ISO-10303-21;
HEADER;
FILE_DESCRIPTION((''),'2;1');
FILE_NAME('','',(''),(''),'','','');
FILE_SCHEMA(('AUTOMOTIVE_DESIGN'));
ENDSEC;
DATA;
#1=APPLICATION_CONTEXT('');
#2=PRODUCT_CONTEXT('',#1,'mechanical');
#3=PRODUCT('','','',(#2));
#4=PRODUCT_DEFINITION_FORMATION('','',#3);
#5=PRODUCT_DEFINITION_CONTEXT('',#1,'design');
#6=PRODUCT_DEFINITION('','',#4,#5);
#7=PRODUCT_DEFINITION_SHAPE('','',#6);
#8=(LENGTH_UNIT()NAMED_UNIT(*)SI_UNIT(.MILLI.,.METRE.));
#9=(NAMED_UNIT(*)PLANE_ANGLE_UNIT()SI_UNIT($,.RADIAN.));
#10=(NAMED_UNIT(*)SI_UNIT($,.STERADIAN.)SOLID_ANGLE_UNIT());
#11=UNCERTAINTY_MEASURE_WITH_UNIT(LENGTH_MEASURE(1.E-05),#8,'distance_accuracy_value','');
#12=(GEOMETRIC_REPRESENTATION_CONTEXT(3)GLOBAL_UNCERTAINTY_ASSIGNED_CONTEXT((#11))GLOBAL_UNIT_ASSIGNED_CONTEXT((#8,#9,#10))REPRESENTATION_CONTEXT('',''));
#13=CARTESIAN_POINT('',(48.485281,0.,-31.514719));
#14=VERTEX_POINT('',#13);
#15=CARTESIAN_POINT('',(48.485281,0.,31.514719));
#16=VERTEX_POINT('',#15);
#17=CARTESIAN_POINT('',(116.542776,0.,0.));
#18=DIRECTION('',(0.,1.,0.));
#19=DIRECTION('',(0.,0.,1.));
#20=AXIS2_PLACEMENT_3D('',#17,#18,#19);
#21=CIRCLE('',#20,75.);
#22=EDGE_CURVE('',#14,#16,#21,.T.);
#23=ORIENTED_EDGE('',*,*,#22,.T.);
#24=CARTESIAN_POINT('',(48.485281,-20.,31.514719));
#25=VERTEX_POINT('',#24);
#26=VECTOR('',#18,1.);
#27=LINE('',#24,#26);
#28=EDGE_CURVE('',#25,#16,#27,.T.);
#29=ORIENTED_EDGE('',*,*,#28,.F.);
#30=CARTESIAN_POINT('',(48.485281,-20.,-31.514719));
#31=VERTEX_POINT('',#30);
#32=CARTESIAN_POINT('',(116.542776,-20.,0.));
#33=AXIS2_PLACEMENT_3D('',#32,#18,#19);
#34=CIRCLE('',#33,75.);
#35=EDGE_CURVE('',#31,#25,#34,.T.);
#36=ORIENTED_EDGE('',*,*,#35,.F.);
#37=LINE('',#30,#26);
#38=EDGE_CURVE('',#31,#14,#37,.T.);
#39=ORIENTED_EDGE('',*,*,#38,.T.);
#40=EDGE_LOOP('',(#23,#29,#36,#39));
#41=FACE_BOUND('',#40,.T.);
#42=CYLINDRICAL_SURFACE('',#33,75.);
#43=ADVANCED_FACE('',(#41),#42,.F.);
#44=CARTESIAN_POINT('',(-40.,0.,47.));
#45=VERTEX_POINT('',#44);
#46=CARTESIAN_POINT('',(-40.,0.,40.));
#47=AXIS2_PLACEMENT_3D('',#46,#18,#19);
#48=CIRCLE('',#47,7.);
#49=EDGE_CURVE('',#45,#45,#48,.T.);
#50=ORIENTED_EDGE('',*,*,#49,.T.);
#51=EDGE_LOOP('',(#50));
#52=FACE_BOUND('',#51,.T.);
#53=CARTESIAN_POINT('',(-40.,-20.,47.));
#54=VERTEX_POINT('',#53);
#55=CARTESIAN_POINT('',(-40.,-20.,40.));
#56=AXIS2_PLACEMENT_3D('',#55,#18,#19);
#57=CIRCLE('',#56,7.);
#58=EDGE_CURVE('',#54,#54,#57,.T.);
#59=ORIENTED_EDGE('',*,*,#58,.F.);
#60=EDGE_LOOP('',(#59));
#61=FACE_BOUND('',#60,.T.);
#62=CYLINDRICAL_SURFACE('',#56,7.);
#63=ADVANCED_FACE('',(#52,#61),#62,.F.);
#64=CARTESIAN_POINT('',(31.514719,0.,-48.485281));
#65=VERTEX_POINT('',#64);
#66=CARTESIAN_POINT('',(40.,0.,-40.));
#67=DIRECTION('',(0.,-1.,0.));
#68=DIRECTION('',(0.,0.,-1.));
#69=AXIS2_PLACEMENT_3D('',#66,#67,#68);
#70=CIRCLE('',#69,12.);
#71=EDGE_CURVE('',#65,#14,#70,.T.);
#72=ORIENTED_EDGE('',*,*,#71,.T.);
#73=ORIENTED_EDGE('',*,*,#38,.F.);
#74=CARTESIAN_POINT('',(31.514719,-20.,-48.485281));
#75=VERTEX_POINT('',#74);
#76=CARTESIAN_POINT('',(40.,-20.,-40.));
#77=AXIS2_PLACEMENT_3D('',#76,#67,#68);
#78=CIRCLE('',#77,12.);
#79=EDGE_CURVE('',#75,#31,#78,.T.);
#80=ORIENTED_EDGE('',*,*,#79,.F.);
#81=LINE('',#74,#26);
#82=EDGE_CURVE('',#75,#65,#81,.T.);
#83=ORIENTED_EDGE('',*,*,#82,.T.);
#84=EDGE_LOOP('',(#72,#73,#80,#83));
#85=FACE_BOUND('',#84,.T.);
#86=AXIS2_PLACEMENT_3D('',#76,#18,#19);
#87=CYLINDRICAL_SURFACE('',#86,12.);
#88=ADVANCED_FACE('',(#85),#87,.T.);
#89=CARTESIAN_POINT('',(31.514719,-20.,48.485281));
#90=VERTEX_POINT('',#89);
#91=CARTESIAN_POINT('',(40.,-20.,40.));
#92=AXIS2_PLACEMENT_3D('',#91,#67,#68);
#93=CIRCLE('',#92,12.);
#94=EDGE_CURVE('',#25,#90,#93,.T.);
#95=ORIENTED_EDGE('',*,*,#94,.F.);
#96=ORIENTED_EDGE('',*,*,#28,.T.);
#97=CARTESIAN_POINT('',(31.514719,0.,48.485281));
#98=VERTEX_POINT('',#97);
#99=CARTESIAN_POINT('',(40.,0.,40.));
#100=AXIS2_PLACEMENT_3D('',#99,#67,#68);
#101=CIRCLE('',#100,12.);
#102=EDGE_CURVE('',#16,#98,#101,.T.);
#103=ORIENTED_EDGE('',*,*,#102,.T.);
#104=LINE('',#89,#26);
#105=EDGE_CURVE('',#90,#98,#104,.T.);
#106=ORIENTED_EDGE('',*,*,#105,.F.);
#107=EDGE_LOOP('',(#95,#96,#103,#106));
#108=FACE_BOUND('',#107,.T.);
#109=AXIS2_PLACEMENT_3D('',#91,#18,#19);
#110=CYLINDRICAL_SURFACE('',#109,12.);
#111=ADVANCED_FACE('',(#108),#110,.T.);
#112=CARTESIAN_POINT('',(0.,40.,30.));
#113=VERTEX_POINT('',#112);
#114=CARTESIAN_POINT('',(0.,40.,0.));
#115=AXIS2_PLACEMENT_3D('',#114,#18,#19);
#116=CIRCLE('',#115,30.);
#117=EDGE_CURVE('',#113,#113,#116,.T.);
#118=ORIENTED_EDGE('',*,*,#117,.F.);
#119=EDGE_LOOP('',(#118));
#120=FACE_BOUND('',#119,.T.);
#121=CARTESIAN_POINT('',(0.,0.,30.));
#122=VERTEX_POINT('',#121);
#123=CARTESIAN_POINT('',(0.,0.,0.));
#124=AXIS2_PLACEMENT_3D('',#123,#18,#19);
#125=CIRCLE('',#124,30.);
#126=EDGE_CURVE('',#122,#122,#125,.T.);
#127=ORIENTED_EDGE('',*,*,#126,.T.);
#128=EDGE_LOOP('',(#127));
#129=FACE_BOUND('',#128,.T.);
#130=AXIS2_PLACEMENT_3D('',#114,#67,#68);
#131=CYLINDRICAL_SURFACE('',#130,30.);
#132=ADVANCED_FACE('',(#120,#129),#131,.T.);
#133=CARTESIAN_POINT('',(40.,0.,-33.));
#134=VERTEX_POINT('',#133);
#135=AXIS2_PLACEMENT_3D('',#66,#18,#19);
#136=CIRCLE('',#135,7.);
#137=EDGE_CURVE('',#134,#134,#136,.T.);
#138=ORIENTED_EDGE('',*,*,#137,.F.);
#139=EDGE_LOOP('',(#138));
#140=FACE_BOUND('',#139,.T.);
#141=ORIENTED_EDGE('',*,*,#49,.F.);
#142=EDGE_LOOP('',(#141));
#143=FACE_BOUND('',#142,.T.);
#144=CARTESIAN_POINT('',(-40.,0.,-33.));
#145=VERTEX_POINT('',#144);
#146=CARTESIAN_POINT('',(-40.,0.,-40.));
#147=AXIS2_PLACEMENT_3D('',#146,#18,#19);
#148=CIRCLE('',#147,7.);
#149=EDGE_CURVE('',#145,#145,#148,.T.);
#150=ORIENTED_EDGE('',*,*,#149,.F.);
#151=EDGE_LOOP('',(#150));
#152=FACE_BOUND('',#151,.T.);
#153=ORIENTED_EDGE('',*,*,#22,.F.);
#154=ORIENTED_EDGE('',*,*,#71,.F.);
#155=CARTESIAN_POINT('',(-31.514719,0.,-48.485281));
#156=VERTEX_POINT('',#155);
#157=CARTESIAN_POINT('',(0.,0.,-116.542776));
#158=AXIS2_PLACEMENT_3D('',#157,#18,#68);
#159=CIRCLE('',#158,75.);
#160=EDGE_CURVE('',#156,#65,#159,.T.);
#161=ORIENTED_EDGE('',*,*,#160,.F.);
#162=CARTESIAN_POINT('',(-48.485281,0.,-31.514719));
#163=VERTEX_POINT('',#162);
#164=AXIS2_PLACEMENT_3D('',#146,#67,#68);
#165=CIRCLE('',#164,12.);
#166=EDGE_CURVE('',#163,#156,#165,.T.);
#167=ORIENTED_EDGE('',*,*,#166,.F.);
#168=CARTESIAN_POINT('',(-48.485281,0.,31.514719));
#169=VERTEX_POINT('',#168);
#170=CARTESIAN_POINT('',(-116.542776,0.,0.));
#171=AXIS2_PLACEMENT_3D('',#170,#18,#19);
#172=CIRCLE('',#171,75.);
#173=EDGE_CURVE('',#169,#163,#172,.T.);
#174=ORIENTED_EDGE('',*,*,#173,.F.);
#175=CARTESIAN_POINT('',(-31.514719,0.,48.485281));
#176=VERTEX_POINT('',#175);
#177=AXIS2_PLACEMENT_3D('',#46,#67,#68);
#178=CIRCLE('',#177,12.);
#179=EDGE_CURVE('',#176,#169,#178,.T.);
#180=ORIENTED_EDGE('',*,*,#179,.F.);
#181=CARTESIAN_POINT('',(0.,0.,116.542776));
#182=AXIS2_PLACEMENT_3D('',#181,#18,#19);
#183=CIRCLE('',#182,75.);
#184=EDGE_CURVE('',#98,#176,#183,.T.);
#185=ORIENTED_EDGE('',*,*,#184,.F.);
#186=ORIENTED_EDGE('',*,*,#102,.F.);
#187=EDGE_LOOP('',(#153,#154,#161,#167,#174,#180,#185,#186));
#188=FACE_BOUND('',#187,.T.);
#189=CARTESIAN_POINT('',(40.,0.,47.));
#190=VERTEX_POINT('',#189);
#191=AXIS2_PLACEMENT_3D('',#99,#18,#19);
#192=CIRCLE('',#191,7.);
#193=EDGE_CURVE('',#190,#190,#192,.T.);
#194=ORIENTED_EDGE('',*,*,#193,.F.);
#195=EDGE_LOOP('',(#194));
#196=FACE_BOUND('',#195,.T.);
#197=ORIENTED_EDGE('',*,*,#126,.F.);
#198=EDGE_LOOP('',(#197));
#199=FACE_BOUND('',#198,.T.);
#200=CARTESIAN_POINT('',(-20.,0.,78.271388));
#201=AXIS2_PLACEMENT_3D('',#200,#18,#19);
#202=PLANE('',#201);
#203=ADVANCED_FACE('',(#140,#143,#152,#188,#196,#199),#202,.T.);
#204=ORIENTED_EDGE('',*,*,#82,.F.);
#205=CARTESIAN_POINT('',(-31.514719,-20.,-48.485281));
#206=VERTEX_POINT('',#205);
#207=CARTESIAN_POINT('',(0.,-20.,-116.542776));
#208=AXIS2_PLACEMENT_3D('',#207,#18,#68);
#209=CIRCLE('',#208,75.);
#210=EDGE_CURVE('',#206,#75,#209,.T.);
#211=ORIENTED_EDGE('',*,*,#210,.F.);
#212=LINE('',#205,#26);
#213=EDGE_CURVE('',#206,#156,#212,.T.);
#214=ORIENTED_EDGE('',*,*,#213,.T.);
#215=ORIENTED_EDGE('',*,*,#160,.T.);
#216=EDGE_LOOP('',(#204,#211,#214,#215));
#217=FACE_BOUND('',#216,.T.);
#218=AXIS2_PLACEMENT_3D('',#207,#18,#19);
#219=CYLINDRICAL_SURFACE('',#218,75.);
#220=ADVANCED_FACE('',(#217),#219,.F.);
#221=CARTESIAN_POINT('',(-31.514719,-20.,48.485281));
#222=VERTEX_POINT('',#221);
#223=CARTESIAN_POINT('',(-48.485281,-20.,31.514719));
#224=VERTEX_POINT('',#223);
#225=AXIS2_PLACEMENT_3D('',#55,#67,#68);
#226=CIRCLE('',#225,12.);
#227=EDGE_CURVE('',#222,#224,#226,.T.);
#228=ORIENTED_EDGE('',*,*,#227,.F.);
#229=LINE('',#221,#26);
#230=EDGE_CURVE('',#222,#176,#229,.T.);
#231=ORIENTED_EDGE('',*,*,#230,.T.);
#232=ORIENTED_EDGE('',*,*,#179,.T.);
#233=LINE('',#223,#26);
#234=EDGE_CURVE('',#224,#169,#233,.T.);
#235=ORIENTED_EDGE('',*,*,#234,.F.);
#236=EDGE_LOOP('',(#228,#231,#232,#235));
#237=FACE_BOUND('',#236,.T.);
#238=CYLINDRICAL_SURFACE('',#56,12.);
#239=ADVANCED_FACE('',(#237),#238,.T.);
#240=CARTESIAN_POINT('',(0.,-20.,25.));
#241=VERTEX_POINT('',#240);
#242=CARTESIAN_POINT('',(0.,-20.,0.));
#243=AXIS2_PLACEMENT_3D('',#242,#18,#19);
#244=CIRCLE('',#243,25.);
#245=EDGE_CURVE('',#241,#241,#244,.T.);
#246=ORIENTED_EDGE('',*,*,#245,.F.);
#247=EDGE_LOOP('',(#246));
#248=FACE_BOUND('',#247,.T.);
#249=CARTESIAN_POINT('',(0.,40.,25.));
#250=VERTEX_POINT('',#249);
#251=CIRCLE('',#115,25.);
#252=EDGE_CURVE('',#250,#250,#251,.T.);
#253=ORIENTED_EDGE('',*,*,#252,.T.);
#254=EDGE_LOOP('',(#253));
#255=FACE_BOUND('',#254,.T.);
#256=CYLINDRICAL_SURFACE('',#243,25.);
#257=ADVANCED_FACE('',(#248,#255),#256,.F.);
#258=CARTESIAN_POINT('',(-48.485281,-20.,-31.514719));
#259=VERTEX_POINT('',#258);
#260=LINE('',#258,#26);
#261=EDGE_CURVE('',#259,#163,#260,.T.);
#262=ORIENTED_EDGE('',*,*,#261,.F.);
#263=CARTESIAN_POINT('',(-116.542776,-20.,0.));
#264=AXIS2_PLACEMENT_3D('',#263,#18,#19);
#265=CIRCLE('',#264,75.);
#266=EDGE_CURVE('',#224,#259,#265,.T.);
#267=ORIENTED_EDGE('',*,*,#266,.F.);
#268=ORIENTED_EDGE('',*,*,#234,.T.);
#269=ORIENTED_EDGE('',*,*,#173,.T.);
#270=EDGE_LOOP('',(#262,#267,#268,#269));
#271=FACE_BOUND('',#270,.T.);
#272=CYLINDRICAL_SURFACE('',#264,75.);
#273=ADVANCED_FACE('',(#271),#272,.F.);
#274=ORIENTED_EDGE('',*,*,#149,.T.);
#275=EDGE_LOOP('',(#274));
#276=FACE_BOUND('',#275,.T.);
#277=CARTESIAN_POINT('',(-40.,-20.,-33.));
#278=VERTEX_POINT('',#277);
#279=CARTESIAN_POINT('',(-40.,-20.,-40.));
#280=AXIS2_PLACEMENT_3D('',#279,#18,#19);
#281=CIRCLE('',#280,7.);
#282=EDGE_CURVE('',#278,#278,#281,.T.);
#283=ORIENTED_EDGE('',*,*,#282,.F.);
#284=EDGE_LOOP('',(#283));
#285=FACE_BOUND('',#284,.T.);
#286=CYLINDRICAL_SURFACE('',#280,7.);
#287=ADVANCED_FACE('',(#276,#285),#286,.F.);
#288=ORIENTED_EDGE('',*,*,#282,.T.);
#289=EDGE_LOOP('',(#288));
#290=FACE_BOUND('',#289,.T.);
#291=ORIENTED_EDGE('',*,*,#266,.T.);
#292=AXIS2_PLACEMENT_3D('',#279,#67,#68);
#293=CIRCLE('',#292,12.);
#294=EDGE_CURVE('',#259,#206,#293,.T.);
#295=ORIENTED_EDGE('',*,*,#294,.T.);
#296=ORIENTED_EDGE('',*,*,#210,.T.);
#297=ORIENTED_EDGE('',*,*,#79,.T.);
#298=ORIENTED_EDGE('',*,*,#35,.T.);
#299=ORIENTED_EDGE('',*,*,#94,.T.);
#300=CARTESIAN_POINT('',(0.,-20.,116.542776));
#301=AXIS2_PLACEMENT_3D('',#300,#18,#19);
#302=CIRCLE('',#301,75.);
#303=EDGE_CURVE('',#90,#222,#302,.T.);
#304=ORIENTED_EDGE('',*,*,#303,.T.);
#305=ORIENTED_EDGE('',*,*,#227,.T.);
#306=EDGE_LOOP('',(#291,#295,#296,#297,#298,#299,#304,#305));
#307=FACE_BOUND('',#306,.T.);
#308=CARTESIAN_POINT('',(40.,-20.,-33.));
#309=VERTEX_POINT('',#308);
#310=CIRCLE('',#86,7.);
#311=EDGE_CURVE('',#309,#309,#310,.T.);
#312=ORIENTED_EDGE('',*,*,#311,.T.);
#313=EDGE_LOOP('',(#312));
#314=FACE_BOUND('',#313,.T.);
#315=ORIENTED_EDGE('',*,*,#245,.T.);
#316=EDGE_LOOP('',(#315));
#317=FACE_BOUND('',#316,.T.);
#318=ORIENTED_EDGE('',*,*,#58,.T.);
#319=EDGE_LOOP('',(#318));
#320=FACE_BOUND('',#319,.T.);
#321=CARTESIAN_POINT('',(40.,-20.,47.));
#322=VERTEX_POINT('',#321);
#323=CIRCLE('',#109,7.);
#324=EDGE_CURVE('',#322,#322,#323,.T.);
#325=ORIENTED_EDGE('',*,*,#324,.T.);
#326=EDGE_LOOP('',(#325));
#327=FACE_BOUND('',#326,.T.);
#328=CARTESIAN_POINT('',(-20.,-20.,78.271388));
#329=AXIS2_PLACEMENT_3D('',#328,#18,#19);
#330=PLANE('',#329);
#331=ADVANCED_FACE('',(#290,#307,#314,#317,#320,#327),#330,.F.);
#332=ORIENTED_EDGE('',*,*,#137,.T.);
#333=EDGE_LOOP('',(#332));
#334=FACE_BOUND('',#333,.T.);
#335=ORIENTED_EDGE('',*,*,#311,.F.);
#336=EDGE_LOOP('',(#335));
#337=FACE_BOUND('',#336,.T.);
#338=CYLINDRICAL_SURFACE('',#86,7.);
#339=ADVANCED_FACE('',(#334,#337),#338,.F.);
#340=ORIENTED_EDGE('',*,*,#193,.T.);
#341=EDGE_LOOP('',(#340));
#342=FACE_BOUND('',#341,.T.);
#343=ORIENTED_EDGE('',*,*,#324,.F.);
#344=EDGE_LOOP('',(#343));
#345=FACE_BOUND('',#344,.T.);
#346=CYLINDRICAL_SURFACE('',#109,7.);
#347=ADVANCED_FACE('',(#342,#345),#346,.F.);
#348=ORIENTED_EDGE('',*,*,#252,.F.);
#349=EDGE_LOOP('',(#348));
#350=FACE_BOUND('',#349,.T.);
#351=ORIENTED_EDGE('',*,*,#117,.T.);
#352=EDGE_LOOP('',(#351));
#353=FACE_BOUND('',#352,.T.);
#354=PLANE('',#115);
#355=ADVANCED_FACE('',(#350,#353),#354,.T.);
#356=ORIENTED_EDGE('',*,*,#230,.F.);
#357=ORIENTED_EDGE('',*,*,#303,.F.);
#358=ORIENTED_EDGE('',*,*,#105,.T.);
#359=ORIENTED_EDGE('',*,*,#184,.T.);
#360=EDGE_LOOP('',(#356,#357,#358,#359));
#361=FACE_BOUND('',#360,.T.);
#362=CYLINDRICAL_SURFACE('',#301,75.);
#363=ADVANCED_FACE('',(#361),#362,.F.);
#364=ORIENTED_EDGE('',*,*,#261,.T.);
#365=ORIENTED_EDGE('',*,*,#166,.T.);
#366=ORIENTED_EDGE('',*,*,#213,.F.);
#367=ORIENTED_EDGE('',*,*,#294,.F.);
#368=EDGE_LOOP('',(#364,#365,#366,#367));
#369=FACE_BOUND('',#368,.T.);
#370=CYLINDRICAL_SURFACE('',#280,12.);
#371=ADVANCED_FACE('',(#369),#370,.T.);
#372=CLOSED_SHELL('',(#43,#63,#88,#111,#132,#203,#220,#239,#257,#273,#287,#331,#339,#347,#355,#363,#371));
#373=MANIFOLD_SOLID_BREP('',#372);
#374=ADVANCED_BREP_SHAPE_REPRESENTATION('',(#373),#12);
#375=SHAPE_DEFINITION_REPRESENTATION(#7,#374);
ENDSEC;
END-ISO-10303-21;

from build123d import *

# Parameters (mm, degrees)
SKETCH1_R           = 30
BOSS_EXTRUDE1_DEPTH = 40
BOSS_EXTRUDE2_DEPTH = 20
SKETCH4_R           = 7
CUT_EXTRUDE2_DEPTH  = 84.713798146
SKETCH2_R           = 25
CUT_EXTRUDE1_DEPTH  = 95.910484142


with BuildPart() as part:
    # Sketch1 → Boss-Extrude1 (new body)
    with BuildSketch(Plane(origin=(0, 0, 0), x_dir=(1, 0, 0), z_dir=(0, 1, 0))):
        with Locations(Location((0, 0, 0), (0, 0, 270))):
            Circle(SKETCH1_R)
    extrude(amount=BOSS_EXTRUDE1_DEPTH)

    # Sketch3 → Boss-Extrude2 (add)
    with BuildSketch(Plane.XZ):
        with BuildLine():
            ThreePointArc((-48.485281374, -31.514718626), (-48.485281374, -48.485281374), (-31.514718626, -48.485281374))
            ThreePointArc((-31.514718626, -48.485281374), (0, -41.542775524), (31.514718626, -48.485281374))
            ThreePointArc((31.514718626, -48.485281374), (48.485281374, -48.485281374), (48.485281374, -31.514718626))
            ThreePointArc((48.485281374, -31.514718626), (41.542775524, 0), (48.485281374, 31.514718626))
            ThreePointArc((48.485281374, 31.514718626), (48.485281374, 48.485281374), (31.514718626, 48.485281374))
            ThreePointArc((31.514718626, 48.485281374), (0, 41.542775524), (-31.514718626, 48.485281374))
            ThreePointArc((-31.514718626, 48.485281374), (-48.485281374, 48.485281374), (-48.485281374, 31.514718626))
            ThreePointArc((-48.485281374, 31.514718626), (-41.542775524, 0), (-48.485281374, -31.514718626))
        make_face()
    extrude(amount=BOSS_EXTRUDE2_DEPTH)

    # Sketch4 → Cut-Extrude2 (cut, through all)
    with BuildSketch(Plane(origin=(0, 0, 0), x_dir=(1, 0, 0), z_dir=(0, 1, 0))):
        with Locations(Location((-40, 40, 0), (0, 0, 270))):
            Circle(SKETCH4_R)
        with Locations(Location((40, -40, 0), (0, 0, 270))):
            Circle(SKETCH4_R)
        with Locations(Location((40, 40, 0), (0, 0, 270))):
            Circle(SKETCH4_R)
        with Locations(Location((-40, -40, 0), (0, 0, 270))):
            Circle(SKETCH4_R)
    extrude(amount=-CUT_EXTRUDE2_DEPTH, mode=Mode.SUBTRACT)

    # Sketch2 → Cut-Extrude1 (cut, through all)
    with BuildSketch(Plane(origin=(0, 40, 0), x_dir=(1, 0, 0), z_dir=(0, 1, 0))):
        with Locations(Location((0, 0, 0), (0, 0, 270))):
            Circle(SKETCH2_R)
    extrude(amount=-CUT_EXTRUDE1_DEPTH, mode=Mode.SUBTRACT)


solid = part.part
